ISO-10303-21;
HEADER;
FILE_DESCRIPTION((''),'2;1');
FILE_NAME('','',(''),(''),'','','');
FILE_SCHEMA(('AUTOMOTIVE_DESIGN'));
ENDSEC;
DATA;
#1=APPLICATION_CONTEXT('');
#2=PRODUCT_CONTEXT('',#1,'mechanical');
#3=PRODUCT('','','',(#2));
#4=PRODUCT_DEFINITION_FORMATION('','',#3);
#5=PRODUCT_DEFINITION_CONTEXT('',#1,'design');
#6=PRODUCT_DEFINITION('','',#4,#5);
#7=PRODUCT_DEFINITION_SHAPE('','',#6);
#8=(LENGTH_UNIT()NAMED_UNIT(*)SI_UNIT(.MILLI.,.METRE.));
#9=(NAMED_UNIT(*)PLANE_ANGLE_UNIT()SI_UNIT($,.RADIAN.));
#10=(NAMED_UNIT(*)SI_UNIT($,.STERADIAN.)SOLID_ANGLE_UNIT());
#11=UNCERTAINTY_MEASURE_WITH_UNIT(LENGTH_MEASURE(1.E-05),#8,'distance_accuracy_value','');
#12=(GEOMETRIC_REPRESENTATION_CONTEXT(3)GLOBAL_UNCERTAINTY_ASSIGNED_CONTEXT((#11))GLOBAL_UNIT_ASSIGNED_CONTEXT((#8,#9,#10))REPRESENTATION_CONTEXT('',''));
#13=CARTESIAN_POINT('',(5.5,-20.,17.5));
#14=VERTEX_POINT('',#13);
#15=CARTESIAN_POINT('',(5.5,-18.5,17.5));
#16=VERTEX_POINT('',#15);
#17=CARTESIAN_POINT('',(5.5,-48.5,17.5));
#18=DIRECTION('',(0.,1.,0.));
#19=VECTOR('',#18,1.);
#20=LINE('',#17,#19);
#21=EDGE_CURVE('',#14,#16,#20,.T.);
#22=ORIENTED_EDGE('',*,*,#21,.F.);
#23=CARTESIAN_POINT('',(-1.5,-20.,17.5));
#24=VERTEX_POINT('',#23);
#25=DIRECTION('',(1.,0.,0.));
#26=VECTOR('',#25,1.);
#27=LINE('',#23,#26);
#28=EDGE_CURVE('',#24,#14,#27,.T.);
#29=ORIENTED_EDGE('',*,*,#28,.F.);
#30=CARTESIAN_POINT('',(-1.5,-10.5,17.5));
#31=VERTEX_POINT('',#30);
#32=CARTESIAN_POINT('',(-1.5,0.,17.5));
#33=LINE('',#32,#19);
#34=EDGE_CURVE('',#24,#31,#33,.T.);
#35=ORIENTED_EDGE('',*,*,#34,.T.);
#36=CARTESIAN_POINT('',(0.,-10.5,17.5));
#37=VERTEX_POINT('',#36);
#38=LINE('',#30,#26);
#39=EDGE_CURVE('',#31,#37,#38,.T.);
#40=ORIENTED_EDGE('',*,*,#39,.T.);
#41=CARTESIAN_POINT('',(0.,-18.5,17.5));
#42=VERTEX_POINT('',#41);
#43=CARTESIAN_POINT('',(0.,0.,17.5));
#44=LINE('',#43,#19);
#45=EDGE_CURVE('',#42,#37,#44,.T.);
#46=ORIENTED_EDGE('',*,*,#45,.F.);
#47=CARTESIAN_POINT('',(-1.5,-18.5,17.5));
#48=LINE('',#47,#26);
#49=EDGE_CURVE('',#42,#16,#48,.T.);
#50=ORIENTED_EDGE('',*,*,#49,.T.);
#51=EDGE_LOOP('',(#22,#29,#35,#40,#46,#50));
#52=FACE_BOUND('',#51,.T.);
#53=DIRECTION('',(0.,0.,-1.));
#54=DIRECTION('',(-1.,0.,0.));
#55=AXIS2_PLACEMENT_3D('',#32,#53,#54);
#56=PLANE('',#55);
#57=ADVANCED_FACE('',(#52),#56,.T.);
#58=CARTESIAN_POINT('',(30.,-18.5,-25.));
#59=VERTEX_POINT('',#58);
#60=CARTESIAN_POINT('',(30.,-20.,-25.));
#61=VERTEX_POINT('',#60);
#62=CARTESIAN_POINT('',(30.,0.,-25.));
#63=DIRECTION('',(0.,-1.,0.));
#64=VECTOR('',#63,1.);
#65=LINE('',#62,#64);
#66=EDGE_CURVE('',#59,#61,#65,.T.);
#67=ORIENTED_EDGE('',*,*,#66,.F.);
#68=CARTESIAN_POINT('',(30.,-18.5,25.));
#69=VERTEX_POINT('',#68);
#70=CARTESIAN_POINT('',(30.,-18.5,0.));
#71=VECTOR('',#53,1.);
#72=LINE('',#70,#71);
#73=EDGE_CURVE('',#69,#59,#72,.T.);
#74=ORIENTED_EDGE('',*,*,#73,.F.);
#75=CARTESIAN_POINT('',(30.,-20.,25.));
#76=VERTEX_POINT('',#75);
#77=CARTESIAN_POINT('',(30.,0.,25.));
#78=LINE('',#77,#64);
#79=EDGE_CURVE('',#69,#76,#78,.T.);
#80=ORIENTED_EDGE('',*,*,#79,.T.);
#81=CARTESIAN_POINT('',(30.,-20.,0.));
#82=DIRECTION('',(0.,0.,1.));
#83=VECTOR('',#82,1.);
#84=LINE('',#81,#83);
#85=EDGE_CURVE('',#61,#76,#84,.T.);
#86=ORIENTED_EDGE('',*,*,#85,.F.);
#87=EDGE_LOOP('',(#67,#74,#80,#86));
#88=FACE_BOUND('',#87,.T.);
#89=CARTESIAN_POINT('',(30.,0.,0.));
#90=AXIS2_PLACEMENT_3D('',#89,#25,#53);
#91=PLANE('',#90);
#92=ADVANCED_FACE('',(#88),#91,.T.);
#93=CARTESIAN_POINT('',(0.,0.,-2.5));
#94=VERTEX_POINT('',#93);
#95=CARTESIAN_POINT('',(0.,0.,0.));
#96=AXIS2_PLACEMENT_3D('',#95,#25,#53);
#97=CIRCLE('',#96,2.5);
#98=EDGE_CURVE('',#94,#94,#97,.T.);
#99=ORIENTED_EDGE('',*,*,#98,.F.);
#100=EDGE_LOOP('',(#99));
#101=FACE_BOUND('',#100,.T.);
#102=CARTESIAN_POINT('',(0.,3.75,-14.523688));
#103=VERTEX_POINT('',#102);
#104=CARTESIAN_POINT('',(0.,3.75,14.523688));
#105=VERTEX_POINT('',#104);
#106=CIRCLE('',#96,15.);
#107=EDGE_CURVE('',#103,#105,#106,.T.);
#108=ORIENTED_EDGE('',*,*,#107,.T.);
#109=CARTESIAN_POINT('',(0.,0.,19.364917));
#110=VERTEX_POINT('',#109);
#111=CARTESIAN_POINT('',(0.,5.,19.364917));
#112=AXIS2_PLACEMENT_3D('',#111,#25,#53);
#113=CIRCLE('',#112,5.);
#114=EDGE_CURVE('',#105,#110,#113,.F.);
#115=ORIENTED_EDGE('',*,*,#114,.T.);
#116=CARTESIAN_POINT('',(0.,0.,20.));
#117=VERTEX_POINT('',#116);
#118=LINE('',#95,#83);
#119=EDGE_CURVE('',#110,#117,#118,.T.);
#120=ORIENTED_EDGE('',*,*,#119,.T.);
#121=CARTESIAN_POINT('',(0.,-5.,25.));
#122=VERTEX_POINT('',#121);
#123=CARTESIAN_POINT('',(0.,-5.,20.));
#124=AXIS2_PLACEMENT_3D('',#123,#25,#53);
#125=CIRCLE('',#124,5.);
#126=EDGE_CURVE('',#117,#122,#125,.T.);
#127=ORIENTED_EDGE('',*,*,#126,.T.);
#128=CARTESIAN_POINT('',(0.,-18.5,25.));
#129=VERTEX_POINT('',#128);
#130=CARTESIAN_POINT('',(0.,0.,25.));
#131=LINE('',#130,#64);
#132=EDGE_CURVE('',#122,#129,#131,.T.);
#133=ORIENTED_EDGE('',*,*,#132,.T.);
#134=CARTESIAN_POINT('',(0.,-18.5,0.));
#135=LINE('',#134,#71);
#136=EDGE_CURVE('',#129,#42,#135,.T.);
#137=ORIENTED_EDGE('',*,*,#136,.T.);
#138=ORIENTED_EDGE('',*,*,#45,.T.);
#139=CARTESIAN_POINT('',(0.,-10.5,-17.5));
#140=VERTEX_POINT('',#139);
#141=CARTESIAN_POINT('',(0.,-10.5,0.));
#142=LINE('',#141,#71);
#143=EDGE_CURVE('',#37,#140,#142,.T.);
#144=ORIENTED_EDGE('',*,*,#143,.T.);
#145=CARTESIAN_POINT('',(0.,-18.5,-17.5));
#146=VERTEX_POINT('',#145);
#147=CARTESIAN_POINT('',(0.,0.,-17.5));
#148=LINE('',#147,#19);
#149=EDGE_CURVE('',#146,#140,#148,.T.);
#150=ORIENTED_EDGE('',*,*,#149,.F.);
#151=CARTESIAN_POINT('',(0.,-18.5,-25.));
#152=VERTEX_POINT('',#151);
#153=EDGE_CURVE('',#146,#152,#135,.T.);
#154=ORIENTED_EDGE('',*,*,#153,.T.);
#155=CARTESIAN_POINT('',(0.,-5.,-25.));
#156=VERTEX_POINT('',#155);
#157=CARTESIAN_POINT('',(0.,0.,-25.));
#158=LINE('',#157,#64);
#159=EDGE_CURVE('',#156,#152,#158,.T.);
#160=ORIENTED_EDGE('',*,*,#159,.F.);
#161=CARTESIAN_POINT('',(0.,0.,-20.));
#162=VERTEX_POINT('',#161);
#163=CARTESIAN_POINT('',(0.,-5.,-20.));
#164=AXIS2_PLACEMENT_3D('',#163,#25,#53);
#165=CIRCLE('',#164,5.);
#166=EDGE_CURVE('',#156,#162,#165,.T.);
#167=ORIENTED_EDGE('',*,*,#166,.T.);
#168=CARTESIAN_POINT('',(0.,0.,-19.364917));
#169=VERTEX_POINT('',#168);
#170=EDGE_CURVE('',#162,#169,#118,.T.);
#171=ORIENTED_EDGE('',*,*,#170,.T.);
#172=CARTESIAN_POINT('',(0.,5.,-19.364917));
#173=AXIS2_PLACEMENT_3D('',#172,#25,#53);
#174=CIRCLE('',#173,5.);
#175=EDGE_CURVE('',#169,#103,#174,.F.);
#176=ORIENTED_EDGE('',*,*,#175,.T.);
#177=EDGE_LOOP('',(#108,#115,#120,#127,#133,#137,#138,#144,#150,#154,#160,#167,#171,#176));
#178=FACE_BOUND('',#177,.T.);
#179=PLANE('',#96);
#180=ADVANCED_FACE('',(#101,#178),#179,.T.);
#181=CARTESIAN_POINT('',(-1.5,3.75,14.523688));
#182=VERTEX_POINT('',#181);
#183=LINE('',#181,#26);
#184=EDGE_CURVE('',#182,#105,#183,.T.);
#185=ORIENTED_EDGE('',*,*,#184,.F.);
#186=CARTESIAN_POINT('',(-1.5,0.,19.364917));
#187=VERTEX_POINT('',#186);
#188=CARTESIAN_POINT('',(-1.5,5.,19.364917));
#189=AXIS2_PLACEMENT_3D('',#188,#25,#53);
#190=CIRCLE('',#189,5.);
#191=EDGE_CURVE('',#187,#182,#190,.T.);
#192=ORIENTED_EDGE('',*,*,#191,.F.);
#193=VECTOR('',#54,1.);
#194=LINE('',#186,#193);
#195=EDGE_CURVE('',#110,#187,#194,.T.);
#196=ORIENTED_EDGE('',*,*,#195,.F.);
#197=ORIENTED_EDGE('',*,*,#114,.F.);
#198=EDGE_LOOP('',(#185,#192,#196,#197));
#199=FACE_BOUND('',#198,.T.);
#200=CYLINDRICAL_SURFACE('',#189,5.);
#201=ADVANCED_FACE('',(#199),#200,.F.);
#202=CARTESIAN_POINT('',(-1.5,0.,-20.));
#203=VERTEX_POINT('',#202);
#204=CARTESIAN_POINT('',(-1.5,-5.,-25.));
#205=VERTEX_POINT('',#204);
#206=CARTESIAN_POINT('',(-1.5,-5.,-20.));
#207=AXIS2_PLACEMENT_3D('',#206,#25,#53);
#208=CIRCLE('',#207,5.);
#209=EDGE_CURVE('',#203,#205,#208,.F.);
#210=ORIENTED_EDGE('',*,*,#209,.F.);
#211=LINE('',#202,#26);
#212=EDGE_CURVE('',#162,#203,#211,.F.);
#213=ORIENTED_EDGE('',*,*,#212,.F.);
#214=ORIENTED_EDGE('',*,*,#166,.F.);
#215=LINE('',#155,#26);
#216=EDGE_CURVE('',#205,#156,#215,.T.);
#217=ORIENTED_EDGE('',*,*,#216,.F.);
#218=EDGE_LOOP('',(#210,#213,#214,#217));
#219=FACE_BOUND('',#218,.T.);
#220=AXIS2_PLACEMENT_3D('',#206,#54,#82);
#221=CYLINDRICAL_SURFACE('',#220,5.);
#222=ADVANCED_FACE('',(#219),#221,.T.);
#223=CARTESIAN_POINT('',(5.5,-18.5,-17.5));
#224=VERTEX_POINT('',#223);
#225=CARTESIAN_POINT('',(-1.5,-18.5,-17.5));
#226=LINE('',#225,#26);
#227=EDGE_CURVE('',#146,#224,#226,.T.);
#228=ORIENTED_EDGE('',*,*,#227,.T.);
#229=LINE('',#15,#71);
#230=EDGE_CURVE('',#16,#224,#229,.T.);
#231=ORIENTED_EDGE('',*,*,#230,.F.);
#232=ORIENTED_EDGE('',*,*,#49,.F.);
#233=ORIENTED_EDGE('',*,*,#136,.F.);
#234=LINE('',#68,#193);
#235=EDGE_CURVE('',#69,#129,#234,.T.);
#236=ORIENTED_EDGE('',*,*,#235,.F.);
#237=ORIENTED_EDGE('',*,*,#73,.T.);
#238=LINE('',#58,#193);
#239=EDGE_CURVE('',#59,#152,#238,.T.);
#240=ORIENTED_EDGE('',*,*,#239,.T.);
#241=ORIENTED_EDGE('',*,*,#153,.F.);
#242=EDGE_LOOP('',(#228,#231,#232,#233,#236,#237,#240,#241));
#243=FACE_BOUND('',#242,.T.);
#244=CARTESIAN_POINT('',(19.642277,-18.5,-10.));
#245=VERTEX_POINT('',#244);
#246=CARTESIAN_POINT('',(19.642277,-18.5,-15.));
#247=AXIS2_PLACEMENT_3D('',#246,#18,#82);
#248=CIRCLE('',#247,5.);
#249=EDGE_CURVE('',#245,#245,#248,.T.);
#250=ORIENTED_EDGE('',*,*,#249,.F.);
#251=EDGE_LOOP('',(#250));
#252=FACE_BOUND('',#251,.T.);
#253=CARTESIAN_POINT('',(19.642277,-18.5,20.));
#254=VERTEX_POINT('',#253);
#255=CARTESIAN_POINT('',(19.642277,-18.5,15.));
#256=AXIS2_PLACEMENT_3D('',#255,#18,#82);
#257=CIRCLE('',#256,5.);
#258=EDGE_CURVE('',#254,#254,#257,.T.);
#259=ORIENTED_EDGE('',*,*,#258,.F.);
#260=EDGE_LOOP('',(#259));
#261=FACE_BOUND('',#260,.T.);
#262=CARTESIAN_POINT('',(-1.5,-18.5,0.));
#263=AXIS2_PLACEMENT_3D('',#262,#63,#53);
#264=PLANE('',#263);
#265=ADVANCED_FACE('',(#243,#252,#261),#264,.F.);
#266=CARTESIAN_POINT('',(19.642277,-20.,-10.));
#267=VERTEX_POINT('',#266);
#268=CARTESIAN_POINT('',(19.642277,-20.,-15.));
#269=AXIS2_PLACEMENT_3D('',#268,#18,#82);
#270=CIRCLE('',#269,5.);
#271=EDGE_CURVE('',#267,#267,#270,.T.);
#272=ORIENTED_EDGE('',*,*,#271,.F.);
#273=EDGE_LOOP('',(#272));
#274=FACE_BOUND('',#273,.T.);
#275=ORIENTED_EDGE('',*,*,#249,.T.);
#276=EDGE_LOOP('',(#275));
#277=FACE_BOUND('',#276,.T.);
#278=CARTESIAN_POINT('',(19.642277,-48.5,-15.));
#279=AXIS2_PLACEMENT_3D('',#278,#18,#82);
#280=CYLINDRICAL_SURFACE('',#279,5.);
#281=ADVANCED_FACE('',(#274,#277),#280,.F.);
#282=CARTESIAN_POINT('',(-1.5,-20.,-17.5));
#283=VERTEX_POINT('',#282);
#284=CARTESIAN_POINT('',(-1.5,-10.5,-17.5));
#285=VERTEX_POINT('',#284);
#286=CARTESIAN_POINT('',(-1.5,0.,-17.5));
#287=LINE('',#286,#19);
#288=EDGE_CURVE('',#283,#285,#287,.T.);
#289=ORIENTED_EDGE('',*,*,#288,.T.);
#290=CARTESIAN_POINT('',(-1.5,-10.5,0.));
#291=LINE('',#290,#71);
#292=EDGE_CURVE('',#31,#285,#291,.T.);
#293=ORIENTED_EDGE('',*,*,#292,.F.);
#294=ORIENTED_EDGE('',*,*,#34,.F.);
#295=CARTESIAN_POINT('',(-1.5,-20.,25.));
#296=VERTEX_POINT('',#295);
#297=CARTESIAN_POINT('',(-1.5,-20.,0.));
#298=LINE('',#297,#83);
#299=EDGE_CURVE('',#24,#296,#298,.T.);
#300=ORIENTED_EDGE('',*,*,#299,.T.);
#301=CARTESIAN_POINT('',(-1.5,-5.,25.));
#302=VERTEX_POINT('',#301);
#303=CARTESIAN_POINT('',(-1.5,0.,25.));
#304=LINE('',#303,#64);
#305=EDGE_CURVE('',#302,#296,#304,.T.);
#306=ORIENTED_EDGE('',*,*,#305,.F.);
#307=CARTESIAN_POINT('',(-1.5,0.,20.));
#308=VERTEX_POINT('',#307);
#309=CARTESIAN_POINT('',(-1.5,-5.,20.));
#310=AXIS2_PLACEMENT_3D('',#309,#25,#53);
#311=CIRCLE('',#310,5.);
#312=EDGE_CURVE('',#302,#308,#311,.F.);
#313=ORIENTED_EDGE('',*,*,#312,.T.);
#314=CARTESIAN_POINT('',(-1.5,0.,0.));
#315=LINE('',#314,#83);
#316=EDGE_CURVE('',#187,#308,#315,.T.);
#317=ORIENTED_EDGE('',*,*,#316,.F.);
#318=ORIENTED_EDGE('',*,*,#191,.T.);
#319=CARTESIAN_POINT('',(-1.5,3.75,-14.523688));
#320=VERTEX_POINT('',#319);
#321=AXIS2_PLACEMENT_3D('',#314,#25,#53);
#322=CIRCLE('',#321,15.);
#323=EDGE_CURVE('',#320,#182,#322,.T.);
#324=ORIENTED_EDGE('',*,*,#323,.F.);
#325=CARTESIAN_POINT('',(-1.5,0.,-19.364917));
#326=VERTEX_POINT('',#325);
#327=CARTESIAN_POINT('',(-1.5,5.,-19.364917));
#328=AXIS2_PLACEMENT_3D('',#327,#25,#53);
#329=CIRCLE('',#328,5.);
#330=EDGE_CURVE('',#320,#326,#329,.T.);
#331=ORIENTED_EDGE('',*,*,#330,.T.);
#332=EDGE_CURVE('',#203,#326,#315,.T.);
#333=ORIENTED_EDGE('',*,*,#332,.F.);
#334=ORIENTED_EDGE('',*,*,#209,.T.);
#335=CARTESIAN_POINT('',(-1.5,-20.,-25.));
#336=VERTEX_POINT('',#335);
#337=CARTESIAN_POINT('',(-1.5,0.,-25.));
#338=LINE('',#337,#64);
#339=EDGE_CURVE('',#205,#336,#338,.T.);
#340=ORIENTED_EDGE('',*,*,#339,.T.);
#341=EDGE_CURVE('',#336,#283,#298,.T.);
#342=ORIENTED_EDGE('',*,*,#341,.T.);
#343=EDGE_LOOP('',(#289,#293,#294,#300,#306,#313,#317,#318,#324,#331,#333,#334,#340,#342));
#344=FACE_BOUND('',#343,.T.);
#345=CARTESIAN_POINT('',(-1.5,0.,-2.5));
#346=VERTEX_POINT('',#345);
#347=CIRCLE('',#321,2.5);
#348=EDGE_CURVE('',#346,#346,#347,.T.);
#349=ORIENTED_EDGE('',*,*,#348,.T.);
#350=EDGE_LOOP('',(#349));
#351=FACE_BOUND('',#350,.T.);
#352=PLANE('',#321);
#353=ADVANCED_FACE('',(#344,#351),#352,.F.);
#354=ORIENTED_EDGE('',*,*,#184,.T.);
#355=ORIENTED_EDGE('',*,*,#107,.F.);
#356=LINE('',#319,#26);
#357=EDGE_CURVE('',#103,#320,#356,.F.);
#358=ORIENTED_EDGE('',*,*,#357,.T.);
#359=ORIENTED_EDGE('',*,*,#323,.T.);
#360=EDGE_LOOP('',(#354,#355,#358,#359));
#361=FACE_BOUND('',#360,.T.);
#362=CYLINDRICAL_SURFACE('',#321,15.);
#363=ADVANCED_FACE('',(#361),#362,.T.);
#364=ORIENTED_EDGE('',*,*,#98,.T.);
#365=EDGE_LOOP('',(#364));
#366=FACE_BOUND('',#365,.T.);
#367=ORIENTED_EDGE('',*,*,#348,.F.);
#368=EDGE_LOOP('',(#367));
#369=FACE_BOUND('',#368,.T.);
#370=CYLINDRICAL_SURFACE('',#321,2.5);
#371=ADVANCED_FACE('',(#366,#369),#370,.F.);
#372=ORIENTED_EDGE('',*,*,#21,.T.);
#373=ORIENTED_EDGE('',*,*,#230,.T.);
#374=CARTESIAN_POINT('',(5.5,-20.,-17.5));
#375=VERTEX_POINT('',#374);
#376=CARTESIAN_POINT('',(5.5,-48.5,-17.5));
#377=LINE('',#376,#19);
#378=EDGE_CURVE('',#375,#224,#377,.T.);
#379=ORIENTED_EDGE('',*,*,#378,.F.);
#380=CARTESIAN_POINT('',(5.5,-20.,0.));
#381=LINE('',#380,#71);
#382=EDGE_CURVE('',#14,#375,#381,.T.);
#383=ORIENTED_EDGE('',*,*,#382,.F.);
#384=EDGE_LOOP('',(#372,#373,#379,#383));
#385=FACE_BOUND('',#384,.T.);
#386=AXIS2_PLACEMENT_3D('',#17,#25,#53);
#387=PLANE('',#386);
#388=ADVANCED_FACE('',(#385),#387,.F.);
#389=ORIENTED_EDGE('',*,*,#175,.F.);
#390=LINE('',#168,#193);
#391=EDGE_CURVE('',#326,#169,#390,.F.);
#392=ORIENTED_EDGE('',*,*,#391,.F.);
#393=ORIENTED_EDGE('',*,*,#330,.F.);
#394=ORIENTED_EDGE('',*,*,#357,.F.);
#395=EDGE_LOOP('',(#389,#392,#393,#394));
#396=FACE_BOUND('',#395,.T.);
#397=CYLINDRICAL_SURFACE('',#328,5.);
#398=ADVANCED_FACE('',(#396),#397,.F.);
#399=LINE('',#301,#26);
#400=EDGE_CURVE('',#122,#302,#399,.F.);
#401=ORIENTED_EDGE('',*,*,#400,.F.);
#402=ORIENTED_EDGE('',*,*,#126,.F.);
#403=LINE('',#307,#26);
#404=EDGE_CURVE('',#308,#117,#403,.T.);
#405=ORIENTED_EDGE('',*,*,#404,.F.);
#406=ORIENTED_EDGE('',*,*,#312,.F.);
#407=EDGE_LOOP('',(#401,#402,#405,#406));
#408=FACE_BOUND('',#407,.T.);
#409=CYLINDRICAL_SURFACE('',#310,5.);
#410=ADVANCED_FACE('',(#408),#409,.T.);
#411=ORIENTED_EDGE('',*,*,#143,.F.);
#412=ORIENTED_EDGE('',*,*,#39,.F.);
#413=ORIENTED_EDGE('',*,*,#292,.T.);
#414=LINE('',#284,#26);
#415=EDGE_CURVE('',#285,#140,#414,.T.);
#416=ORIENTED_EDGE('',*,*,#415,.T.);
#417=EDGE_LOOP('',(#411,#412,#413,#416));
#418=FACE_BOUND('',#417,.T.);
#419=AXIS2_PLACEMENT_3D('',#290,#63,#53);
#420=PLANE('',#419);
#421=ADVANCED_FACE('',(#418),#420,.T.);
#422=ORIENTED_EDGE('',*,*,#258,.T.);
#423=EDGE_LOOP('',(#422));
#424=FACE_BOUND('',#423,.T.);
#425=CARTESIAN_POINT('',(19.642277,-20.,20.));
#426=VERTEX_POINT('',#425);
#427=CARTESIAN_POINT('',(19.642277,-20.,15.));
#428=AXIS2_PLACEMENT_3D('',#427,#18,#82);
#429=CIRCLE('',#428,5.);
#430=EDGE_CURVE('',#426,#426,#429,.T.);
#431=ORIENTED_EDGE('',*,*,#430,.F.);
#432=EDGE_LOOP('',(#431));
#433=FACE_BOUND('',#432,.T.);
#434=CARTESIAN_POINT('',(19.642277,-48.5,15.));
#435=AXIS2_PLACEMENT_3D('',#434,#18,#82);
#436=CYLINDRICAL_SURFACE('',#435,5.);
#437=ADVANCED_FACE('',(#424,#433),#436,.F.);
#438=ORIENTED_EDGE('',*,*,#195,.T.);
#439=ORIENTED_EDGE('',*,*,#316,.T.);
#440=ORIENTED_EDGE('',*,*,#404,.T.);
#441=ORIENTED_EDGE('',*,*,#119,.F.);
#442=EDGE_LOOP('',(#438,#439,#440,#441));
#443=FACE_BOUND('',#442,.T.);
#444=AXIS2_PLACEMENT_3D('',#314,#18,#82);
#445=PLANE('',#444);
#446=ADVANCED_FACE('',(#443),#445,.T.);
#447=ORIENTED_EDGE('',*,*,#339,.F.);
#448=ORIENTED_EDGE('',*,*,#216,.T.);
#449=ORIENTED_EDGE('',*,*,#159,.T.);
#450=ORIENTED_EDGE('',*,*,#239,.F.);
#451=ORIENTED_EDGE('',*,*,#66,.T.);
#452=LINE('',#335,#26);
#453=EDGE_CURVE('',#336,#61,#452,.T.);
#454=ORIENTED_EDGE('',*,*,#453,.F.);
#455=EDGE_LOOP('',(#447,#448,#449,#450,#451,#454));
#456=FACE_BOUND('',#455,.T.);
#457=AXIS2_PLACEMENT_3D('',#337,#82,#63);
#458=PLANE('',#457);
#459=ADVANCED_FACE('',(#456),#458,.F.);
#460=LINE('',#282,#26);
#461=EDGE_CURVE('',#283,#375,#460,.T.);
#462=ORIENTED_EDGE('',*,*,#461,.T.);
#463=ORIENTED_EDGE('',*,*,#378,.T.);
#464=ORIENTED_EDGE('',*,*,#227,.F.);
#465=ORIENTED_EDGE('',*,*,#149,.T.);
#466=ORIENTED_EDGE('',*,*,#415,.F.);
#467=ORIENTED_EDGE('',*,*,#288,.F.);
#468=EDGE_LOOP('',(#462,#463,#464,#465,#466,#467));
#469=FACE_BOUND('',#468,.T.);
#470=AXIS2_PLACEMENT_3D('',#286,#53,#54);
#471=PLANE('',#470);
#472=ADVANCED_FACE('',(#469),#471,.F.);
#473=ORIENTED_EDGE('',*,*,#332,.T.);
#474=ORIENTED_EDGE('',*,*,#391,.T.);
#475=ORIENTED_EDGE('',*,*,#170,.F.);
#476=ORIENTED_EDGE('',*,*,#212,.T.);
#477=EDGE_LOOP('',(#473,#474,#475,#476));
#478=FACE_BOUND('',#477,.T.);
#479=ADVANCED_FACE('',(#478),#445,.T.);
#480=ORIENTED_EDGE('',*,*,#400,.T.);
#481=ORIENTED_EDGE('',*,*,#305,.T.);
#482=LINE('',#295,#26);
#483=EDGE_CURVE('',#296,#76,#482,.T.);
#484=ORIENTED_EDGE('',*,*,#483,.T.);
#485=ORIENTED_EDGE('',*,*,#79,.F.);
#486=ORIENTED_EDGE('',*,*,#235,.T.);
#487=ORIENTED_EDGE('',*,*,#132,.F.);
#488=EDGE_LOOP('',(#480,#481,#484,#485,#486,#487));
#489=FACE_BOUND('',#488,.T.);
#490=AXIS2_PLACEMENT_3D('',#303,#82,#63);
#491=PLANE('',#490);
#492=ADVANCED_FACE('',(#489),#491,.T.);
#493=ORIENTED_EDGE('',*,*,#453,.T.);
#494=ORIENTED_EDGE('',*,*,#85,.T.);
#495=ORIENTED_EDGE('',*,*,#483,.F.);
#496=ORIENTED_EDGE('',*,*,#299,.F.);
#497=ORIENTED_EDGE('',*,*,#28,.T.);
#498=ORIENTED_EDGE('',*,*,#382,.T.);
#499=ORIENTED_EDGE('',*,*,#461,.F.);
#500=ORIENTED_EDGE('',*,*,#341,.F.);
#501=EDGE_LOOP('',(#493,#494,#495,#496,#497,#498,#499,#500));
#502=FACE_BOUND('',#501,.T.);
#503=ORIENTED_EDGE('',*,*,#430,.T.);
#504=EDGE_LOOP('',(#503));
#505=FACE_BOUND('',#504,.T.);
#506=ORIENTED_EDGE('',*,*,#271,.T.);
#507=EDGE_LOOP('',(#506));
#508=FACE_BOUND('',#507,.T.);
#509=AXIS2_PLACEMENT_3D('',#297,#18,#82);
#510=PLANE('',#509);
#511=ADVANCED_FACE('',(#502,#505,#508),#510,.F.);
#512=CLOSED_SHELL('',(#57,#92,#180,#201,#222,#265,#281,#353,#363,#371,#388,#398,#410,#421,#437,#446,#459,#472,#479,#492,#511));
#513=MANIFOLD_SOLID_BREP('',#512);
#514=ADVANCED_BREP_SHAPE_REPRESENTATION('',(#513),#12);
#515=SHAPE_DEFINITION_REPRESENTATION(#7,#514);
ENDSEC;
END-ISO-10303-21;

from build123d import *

# Parameters (mm, degrees)
SKETCH1_W           = 35
SKETCH1_H           = 8
SKETCH1_R           = 2.5
BOSS_EXTRUDE1_DEPTH = 1.5
BOSS_EXTRUDE2_DEPTH = 30
FILLET1_R           = 5
SKETCH2_R           = 5
SKETCH2_W           = 7
SKETCH2_H           = 35
CUT_EXTRUDE1_DEPTH  = 30


with BuildPart() as part:
    # Sketch1 → Boss-Extrude1 (new body)
    with BuildSketch(Plane(origin=(0, 0, 0), x_dir=(0, 0, -1), z_dir=(1, 0, 0))):
        with BuildLine():
            Line((25, 0), (15, 0))
            ThreePointArc((15, 0), (0, 15), (-15, 0))
            Line((-15, 0), (-25, 0))
            Line((-25, 0), (-25, -20))
            Line((-25, -20), (25, -20))
            Line((25, -20), (25, 0))
        make_face()
        with Locations((0, -14.5)):
            Rectangle(SKETCH1_W, SKETCH1_H, mode=Mode.SUBTRACT)
        Circle(SKETCH1_R, mode=Mode.SUBTRACT)
    extrude(amount=-BOSS_EXTRUDE1_DEPTH)

    # Sketch1<3> → Boss-Extrude2 (add)
    with BuildSketch(Plane(origin=(0, 0, 0), x_dir=(0, 0, -1), z_dir=(1, 0, 0))):
        Polygon((25, -20), (25, -18.5), (17.5, -18.5), (-17.5, -18.5), (-25, -18.5), (-25, -20), align=None)
    extrude(amount=BOSS_EXTRUDE2_DEPTH)

    # Fillet1
    fillet1_edges = [part.edges().sort_by_distance(p)[0] for p in [
        (-0.75, 0, -15),
        (-0.75, 0, 15),
        (-0.75, 0, -25),
        (-0.75, 0, 25),
    ]]
    fillet(fillet1_edges, radius=FILLET1_R)

    # Sketch2 → Cut-Extrude1 (cut)
    with BuildSketch(Plane(origin=(0, -18.5, 0), x_dir=(1, 0, 0), z_dir=(0, 1, 0))):
        with Locations((19.642277283, 15)):
            Circle(SKETCH2_R)
        with Locations((19.642277283, -15)):
            Circle(SKETCH2_R)
        with Locations((2, 0)):
            Rectangle(SKETCH2_W, SKETCH2_H)
    extrude(amount=-CUT_EXTRUDE1_DEPTH, mode=Mode.SUBTRACT)


solid = part.part
